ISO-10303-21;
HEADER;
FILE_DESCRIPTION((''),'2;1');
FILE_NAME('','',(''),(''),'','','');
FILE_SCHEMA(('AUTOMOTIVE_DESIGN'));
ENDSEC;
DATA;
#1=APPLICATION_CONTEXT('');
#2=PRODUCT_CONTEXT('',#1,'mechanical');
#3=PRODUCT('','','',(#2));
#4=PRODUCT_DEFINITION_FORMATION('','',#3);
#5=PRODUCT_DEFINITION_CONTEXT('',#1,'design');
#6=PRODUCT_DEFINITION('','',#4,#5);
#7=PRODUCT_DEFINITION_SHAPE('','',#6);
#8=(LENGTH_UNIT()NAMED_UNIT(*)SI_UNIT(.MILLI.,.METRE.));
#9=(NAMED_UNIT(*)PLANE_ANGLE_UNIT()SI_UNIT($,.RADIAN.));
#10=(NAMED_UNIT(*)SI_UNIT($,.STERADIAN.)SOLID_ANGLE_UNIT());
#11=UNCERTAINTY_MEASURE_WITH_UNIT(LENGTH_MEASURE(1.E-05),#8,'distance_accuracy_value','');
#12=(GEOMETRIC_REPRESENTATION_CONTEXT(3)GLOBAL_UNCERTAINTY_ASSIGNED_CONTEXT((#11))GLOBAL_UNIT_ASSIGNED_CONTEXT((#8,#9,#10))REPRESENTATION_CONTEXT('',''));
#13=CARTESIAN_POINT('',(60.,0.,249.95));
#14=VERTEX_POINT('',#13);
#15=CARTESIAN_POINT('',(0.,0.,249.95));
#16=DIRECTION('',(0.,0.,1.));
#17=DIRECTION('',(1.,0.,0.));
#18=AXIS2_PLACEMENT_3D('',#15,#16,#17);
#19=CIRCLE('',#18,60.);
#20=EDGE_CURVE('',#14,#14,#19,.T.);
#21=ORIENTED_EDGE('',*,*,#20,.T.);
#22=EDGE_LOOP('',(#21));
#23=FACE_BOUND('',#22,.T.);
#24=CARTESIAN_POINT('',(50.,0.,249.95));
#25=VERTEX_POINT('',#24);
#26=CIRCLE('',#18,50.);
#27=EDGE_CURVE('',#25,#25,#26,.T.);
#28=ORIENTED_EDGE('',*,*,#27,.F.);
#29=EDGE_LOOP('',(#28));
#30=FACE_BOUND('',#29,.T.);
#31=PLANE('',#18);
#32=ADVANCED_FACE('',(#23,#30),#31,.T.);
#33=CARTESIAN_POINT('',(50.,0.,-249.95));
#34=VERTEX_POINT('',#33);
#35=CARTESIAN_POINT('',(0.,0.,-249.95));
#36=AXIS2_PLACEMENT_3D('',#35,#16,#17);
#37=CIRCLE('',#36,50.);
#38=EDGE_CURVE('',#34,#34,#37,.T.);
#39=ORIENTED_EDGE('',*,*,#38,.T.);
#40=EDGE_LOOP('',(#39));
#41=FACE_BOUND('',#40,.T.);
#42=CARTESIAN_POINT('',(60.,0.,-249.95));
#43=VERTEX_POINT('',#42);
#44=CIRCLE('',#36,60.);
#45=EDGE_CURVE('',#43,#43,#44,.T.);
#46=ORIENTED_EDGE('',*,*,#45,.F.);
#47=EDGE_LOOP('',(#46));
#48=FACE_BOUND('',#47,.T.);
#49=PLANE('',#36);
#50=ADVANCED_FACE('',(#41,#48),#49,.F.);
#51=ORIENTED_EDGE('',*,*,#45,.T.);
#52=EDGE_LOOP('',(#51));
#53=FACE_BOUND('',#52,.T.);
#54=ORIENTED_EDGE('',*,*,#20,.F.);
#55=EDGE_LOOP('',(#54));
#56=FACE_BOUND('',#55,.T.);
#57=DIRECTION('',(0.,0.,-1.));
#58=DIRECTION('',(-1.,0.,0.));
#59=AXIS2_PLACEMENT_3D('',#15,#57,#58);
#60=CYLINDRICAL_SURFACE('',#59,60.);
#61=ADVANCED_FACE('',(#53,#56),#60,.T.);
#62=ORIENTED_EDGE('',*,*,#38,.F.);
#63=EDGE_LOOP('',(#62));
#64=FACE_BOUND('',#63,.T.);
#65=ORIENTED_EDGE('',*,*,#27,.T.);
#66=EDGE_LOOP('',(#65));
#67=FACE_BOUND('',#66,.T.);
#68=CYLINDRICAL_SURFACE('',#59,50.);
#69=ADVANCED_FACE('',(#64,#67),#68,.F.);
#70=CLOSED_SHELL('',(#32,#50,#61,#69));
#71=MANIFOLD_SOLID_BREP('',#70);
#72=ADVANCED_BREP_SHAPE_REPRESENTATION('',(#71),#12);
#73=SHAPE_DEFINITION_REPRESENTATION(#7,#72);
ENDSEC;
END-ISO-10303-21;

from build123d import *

# Parameters (mm, degrees)
SKETCH1_R               = 60
SKETCH1_R_2             = 50
BASE_EXTRUDE_THIN_DEPTH = 249.95


with BuildPart() as part:
    # Sketch1 → Base-Extrude-Thin (new, symmetric)
    with BuildSketch(Plane.XY):
        Circle(SKETCH1_R)
        Circle(SKETCH1_R_2, mode=Mode.SUBTRACT)
    extrude(amount=BASE_EXTRUDE_THIN_DEPTH, both=True)


solid = part.part
